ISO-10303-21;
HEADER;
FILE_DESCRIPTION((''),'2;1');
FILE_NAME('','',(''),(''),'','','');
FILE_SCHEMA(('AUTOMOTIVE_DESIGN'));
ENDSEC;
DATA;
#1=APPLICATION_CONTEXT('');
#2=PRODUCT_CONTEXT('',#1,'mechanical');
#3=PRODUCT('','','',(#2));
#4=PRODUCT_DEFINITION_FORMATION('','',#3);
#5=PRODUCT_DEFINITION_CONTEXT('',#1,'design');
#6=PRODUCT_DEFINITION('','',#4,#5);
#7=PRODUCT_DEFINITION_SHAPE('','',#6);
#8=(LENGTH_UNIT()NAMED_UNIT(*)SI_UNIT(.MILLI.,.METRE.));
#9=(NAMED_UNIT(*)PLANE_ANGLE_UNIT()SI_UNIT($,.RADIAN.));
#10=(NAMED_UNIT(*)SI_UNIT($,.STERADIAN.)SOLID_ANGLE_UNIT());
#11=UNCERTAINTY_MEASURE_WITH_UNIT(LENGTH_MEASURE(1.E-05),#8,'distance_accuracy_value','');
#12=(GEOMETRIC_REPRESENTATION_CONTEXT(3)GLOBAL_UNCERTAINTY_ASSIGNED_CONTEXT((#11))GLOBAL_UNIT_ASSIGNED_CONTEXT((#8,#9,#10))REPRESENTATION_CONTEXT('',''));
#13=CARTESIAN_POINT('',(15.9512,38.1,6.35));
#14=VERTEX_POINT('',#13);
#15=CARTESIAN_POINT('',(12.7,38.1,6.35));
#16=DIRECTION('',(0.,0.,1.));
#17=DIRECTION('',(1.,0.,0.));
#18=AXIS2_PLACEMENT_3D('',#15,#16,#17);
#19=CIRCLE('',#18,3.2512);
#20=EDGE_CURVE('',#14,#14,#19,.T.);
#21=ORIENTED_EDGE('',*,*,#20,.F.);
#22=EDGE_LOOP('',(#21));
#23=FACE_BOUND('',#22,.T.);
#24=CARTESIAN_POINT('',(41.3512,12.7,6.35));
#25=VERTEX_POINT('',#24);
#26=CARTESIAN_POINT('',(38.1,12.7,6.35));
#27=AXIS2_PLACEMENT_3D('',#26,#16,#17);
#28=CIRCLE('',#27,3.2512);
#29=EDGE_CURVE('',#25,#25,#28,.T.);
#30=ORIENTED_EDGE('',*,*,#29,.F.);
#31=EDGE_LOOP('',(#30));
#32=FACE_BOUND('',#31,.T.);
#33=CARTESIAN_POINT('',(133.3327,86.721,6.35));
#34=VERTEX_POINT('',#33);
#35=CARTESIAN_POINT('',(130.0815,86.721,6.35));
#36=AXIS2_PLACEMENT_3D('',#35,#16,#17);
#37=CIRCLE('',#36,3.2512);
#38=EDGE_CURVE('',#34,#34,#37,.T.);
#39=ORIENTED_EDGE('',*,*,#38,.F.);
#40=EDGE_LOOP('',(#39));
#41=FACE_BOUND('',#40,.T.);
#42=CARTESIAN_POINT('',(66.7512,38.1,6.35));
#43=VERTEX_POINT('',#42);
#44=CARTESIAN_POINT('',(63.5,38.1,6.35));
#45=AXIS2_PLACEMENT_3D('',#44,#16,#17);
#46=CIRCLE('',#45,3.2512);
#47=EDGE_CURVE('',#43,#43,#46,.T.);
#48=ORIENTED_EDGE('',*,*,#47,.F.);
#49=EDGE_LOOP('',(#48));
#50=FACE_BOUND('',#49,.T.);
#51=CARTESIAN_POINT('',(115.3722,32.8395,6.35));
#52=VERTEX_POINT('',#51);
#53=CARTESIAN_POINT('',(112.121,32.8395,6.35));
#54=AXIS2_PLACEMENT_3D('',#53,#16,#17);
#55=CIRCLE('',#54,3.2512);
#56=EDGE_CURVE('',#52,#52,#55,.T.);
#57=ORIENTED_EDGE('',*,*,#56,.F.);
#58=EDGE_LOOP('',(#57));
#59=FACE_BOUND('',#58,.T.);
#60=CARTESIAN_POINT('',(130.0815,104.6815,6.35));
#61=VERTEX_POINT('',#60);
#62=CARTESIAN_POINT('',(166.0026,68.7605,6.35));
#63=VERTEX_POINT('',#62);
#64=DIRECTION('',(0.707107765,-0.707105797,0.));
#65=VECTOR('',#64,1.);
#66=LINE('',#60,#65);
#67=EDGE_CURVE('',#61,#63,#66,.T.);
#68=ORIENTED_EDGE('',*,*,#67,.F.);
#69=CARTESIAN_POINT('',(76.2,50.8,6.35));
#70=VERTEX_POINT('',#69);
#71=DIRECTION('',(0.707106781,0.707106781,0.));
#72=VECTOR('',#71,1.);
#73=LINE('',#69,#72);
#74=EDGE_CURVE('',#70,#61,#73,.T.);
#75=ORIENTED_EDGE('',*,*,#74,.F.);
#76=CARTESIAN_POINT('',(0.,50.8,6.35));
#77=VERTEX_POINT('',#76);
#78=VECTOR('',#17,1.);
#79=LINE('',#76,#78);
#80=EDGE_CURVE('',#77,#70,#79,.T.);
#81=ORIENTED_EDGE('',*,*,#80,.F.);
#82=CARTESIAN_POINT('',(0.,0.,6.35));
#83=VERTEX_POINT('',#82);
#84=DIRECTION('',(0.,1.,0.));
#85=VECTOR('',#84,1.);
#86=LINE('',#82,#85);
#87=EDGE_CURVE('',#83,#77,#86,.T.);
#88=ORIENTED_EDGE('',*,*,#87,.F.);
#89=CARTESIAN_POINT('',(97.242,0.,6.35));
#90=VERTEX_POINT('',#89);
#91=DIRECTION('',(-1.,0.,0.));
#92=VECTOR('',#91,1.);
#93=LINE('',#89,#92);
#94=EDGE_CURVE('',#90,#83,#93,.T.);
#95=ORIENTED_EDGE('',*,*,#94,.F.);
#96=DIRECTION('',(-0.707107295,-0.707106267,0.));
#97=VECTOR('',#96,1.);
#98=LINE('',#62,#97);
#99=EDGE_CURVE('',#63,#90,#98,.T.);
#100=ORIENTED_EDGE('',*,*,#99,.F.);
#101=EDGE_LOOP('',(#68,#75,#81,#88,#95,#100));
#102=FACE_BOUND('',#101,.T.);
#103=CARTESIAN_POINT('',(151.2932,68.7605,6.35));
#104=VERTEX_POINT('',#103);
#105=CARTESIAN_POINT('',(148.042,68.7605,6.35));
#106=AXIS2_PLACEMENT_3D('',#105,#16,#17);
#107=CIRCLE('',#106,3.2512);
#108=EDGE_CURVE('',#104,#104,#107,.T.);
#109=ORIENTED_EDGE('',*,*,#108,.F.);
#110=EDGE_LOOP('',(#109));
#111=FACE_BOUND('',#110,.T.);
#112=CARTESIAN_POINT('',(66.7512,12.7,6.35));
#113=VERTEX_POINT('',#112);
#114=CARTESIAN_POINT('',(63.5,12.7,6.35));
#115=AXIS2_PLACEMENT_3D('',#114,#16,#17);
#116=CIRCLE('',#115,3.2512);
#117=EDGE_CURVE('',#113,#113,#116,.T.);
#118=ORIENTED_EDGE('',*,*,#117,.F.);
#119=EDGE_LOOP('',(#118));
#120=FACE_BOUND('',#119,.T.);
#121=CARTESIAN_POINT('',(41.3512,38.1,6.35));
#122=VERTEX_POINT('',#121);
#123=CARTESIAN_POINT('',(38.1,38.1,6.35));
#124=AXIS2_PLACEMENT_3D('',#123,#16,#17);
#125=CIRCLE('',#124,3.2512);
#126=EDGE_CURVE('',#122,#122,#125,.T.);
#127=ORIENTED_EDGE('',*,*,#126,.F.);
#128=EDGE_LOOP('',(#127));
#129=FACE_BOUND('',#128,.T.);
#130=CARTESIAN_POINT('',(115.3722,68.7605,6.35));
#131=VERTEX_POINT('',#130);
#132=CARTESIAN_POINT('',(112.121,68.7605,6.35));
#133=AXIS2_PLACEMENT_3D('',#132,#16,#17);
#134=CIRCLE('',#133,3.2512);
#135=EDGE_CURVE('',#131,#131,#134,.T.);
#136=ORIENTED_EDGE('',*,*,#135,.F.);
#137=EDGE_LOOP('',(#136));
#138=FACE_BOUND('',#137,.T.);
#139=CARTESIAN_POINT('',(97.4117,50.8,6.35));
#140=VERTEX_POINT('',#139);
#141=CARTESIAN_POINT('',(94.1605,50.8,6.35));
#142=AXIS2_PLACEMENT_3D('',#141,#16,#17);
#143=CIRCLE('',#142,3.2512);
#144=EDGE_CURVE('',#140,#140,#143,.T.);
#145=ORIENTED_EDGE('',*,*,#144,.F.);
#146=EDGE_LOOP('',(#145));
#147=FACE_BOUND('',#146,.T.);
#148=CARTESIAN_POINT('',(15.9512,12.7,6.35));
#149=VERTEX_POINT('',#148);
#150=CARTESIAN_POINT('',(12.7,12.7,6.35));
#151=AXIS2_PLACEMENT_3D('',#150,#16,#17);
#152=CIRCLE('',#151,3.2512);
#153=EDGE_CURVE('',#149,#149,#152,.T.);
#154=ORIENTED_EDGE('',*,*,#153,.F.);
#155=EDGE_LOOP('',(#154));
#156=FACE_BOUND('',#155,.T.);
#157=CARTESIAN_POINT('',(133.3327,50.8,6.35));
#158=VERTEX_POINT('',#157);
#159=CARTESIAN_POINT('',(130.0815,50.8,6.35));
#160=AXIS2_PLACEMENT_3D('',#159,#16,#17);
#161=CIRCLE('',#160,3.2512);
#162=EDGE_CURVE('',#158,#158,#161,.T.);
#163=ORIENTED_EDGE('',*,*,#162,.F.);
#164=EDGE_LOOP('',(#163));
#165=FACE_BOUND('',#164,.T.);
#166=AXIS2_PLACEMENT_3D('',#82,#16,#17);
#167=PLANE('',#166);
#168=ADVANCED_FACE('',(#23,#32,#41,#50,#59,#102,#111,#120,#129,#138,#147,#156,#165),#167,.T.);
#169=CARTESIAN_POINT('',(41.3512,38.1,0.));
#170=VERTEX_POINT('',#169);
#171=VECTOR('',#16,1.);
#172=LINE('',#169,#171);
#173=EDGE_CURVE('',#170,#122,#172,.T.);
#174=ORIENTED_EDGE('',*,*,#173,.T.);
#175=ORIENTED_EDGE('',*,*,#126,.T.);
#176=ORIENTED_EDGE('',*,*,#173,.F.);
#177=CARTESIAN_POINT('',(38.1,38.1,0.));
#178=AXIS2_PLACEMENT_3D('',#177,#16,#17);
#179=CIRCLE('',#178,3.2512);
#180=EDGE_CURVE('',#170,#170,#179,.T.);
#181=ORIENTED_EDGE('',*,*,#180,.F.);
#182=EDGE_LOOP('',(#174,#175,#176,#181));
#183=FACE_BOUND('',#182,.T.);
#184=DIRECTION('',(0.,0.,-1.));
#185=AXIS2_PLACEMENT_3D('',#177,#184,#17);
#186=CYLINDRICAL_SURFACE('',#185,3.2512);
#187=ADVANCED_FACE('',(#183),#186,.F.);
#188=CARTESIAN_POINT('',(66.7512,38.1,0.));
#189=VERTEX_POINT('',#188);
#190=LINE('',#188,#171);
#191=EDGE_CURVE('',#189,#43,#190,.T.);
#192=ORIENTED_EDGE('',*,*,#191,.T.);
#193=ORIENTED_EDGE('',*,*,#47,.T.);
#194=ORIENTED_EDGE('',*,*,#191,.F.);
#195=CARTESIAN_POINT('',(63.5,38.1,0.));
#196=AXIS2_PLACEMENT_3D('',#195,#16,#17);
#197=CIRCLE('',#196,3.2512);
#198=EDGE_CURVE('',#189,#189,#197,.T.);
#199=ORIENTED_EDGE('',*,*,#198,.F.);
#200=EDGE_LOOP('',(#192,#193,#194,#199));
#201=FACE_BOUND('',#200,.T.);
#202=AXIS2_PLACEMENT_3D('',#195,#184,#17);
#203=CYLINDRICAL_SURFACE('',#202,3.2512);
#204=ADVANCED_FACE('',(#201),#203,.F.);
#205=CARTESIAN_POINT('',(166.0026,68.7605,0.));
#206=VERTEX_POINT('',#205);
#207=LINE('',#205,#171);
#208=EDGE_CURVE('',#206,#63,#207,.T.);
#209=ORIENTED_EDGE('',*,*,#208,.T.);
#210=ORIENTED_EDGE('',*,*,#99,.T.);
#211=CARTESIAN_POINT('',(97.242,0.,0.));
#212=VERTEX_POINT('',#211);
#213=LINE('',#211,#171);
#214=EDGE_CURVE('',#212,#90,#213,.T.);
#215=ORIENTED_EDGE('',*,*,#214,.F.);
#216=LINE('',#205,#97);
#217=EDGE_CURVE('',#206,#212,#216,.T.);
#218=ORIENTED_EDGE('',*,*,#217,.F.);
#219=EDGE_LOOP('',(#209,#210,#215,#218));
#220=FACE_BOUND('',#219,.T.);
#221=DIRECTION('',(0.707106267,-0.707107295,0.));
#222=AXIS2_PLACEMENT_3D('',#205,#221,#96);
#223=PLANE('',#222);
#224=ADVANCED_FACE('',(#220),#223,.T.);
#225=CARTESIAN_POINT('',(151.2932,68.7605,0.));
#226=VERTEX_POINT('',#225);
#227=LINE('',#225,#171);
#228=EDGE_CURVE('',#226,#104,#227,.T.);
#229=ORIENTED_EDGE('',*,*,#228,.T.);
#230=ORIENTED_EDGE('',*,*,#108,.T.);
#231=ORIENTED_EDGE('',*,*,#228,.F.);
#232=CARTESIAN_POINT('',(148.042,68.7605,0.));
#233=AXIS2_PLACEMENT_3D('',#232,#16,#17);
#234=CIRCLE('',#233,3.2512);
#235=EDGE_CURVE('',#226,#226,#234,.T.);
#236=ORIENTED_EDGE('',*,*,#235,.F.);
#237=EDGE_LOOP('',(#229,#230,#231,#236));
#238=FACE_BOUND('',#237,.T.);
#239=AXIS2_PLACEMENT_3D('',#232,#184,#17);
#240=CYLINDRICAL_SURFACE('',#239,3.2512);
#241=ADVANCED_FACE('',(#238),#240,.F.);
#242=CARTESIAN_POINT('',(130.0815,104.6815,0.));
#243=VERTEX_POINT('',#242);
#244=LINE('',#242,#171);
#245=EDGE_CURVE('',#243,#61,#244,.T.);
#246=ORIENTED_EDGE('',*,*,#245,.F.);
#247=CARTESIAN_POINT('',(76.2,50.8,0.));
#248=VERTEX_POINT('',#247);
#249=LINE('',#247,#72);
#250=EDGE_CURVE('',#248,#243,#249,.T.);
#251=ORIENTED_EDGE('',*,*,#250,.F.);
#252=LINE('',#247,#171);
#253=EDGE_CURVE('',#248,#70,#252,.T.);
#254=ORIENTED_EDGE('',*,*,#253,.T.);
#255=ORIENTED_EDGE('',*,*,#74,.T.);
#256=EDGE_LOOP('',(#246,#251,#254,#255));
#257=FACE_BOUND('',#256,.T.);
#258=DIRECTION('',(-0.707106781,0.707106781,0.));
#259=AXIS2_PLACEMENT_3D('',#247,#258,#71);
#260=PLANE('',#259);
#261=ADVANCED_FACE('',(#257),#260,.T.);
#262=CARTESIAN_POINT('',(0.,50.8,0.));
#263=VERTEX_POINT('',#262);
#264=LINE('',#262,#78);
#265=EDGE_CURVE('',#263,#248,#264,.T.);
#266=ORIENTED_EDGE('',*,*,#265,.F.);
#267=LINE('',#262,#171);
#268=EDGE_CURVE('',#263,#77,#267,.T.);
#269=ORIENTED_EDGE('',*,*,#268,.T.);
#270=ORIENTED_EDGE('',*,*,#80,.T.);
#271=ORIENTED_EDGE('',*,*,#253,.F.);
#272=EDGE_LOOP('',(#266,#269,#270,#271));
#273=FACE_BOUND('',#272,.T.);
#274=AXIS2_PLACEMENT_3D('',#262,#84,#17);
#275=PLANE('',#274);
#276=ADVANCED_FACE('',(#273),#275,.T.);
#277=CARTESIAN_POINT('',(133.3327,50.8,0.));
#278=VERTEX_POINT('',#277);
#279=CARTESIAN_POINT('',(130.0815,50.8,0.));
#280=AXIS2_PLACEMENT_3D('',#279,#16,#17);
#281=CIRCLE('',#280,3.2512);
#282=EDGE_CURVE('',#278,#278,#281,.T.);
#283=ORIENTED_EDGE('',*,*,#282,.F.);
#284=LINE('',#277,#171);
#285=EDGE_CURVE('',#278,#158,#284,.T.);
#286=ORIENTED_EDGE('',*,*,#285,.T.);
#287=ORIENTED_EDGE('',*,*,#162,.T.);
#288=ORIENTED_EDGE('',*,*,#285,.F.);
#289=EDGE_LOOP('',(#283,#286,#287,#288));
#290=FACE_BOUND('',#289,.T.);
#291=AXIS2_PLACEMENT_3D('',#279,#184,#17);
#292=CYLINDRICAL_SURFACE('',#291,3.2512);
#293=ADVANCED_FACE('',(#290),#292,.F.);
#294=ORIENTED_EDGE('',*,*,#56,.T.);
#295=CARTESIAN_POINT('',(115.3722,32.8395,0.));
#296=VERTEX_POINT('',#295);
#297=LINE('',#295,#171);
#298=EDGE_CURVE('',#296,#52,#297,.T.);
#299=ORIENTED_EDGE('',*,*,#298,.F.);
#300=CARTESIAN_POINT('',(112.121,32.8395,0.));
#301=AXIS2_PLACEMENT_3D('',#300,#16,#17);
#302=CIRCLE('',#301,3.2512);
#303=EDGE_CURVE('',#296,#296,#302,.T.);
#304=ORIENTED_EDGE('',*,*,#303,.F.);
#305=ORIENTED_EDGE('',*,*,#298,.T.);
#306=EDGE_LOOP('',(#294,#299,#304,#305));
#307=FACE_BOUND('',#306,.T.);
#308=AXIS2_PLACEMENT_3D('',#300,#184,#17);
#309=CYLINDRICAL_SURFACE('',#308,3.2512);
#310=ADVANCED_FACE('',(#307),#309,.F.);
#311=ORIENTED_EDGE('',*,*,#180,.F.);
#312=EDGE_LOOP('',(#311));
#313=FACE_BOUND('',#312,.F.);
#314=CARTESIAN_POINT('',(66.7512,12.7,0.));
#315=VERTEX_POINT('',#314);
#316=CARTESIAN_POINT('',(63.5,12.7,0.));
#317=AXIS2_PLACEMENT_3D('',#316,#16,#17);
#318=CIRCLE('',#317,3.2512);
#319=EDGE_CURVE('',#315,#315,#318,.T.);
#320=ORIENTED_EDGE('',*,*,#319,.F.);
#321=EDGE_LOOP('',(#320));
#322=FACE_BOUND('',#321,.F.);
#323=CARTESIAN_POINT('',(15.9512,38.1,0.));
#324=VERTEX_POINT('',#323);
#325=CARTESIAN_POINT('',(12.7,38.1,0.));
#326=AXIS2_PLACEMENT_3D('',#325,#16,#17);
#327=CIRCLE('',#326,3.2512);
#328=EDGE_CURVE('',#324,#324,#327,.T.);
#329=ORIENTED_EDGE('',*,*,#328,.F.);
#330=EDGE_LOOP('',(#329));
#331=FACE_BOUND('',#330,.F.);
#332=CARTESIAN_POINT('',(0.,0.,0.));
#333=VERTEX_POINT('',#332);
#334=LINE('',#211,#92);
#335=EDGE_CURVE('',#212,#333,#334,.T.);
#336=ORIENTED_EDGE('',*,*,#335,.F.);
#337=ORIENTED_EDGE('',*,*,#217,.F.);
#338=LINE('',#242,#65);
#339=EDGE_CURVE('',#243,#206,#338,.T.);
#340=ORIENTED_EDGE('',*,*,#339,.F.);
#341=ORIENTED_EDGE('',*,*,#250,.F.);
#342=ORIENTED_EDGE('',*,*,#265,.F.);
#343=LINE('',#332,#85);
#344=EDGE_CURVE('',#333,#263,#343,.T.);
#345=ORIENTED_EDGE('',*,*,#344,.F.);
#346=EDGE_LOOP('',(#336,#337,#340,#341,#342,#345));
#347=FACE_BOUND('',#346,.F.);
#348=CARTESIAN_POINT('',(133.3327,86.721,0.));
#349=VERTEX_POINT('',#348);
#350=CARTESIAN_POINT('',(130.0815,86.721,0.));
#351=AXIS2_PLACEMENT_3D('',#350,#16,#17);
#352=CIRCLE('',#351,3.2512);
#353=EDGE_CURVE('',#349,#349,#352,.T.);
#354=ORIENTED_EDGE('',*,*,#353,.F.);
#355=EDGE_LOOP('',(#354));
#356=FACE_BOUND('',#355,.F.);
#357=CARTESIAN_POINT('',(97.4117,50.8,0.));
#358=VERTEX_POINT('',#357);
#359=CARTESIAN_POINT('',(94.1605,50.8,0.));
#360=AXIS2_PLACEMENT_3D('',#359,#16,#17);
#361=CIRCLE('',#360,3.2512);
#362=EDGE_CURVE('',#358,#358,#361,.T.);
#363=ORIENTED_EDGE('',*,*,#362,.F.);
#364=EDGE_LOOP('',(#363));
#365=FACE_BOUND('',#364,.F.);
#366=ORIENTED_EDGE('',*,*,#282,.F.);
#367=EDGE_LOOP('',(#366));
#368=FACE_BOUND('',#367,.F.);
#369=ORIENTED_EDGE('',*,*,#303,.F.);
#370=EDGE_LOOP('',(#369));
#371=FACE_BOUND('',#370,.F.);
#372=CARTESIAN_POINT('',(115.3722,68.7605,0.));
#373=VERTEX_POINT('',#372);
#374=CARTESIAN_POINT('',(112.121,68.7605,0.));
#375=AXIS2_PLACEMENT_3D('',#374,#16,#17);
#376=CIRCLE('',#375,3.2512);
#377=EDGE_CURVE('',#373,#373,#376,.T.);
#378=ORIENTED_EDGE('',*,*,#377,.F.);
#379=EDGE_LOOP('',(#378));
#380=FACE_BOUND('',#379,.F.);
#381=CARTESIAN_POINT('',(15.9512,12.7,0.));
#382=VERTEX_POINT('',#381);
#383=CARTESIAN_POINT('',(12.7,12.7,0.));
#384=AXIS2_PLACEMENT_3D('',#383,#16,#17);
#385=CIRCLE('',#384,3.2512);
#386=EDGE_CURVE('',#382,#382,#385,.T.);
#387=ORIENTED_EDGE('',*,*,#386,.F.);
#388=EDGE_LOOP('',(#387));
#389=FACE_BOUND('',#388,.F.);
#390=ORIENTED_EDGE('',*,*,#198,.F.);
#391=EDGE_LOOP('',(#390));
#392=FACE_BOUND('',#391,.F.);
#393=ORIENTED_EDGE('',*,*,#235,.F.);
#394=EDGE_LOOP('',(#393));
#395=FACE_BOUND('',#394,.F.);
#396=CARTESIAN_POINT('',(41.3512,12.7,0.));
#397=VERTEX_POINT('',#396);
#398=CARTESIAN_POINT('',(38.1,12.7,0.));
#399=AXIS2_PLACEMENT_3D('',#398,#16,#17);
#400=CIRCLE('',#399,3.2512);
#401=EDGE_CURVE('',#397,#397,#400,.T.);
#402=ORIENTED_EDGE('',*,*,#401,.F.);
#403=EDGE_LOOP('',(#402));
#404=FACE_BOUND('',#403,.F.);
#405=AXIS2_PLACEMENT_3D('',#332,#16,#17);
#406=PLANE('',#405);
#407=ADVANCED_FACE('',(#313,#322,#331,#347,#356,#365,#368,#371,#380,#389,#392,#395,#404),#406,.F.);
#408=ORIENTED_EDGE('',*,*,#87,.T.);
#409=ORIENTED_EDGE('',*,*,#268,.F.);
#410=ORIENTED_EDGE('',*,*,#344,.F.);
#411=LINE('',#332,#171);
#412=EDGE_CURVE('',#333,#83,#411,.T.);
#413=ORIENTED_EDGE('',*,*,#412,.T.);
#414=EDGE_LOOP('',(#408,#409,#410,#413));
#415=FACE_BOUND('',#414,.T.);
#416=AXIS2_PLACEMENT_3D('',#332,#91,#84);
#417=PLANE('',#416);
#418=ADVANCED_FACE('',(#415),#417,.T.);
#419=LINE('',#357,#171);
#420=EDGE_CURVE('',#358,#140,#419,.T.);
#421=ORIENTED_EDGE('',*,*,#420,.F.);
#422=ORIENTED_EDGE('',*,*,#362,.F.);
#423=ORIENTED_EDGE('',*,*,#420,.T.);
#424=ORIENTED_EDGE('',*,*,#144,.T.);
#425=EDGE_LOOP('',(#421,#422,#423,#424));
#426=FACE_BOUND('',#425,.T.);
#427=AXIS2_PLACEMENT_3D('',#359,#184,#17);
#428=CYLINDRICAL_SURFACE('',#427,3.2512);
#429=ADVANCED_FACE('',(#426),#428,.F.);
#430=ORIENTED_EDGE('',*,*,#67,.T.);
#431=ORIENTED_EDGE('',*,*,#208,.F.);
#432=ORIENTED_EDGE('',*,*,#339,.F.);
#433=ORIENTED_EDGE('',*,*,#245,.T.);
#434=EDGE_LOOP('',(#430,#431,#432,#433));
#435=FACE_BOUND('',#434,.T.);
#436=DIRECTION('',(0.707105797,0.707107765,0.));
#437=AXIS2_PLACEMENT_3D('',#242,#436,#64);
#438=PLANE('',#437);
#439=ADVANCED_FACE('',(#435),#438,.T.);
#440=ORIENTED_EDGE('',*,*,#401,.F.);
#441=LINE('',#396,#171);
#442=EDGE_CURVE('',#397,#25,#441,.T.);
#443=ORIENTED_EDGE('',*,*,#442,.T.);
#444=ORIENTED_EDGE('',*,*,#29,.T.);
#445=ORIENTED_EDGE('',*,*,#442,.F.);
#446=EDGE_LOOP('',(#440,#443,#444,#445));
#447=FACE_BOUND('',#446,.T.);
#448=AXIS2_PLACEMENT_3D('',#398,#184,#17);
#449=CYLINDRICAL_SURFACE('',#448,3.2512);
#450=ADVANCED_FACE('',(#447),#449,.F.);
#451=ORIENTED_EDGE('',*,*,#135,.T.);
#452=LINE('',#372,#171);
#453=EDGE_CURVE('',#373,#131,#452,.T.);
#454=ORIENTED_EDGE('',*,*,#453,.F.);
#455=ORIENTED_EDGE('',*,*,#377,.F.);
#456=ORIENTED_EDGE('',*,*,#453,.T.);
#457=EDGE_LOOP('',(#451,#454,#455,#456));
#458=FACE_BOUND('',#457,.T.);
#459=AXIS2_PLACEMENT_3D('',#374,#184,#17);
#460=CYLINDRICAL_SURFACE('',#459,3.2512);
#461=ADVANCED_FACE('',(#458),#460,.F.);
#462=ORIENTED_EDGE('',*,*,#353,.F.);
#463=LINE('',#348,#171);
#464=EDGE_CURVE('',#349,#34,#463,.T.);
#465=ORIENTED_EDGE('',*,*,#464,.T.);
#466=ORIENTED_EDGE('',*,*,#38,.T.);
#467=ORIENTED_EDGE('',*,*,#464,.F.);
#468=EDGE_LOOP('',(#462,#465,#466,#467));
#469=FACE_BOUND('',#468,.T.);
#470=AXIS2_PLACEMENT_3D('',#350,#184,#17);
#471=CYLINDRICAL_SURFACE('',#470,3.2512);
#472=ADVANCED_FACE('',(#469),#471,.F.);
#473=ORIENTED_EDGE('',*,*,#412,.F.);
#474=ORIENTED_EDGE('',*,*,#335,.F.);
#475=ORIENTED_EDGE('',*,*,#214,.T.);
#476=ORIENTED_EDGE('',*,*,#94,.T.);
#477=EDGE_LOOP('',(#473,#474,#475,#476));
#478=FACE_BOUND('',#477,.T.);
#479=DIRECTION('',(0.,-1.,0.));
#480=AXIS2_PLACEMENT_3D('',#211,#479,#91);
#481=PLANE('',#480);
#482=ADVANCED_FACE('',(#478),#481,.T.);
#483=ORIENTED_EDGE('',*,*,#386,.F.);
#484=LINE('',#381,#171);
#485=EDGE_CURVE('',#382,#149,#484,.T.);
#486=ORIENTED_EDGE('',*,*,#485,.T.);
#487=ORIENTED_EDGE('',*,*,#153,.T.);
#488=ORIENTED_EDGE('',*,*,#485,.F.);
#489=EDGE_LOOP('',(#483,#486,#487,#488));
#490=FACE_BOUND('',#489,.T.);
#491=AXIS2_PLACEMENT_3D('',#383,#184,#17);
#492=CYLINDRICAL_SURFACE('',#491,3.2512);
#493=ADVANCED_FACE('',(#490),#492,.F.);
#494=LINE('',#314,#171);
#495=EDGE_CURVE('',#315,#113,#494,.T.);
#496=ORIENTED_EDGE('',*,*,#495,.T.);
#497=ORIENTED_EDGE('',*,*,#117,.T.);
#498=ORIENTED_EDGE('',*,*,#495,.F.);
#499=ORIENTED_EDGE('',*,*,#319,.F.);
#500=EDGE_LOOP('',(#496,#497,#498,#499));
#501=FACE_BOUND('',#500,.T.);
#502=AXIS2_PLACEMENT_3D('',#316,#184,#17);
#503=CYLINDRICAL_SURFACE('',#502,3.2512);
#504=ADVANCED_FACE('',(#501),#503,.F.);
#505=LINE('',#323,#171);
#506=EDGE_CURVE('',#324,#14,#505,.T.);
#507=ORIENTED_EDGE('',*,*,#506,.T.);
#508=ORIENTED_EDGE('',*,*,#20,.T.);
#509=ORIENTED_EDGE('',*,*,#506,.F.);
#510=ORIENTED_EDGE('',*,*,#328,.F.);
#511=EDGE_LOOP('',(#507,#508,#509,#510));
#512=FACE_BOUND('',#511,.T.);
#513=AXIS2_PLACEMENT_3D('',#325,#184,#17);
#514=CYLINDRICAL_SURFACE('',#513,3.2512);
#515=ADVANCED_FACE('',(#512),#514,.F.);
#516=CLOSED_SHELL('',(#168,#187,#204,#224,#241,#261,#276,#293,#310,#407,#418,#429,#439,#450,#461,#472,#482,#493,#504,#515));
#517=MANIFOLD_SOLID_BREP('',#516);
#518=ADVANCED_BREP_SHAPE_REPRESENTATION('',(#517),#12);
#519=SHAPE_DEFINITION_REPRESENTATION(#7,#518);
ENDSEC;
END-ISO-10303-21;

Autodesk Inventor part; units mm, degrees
ref_plane "YZ Plane" through (0, 0, 0) normal (1, 0, 0) x (0, 1, 0)
ref_plane "XZ Plane" through (0, 0, 0) normal (0, 1, 0) x (-1, 0, 0)
ref_plane "XY Plane" through (0, 0, 0) normal (0, 0, 1) x (1, 0, 0)
sketch "Sketch1" plane through (0, 0, 0) normal (0, 0, 1) x (1, 0, 0)
  line L0 (0, 0) -> (0, 50.8)
  line L1 (0, 50.8) -> (76.2, 50.8)
  line L2 (76.2, 50.8) -> (130.0815, 104.6815)
  line L3 (130.0815, 104.6815) -> (166.0026, 68.7605)
  line L4 (166.0026, 68.7605) -> (97.242, 0)
  line L5 (97.242, 0) -> (0, 0)
  circle A0 centre (12.7, 12.7) radius 3.2512
  circle A1 centre (12.7, 38.1) radius 3.2512
  circle A2 centre (38.1, 12.7) radius 3.2512
  circle A3 centre (38.1, 38.1) radius 3.2512
  circle A4 centre (63.5, 12.7) radius 3.2512
  circle A5 centre (63.5, 38.1) radius 3.2512
  circle A6 centre (130.0815, 86.721) radius 3.2512
  circle A7 centre (112.121, 68.7605) radius 3.2512
  circle A8 centre (94.1605, 50.8) radius 3.2512
  circle A9 centre (148.042, 68.7605) radius 3.2512
  circle A10 centre (130.0815, 50.8) radius 3.2512
  circle A11 centre (112.121, 32.8395) radius 3.2512
  dimension "d0" = 50.8
  dimension "d1" = 76.2
  dimension "d2" = 76.2
  dimension "d3" = 135
  dimension "d4" = 50.8
  dimension "d5" = 6.5024
  dimension "d6" = 12.7
  dimension "d7" = 12.7
  dimension "d10" = 25.4
  dimension "d13" = 25.4
  dimension "d16" = 6.5024
  dimension "d17" = 12.7
  dimension "d18" = 12.7
  dimension "d21" = 25.4
  dimension "d24" = 25.4
extrude "Extrusion1" add sketch "Sketch1" along normal blind 6.35
properties part number "2x3 Vplate"
